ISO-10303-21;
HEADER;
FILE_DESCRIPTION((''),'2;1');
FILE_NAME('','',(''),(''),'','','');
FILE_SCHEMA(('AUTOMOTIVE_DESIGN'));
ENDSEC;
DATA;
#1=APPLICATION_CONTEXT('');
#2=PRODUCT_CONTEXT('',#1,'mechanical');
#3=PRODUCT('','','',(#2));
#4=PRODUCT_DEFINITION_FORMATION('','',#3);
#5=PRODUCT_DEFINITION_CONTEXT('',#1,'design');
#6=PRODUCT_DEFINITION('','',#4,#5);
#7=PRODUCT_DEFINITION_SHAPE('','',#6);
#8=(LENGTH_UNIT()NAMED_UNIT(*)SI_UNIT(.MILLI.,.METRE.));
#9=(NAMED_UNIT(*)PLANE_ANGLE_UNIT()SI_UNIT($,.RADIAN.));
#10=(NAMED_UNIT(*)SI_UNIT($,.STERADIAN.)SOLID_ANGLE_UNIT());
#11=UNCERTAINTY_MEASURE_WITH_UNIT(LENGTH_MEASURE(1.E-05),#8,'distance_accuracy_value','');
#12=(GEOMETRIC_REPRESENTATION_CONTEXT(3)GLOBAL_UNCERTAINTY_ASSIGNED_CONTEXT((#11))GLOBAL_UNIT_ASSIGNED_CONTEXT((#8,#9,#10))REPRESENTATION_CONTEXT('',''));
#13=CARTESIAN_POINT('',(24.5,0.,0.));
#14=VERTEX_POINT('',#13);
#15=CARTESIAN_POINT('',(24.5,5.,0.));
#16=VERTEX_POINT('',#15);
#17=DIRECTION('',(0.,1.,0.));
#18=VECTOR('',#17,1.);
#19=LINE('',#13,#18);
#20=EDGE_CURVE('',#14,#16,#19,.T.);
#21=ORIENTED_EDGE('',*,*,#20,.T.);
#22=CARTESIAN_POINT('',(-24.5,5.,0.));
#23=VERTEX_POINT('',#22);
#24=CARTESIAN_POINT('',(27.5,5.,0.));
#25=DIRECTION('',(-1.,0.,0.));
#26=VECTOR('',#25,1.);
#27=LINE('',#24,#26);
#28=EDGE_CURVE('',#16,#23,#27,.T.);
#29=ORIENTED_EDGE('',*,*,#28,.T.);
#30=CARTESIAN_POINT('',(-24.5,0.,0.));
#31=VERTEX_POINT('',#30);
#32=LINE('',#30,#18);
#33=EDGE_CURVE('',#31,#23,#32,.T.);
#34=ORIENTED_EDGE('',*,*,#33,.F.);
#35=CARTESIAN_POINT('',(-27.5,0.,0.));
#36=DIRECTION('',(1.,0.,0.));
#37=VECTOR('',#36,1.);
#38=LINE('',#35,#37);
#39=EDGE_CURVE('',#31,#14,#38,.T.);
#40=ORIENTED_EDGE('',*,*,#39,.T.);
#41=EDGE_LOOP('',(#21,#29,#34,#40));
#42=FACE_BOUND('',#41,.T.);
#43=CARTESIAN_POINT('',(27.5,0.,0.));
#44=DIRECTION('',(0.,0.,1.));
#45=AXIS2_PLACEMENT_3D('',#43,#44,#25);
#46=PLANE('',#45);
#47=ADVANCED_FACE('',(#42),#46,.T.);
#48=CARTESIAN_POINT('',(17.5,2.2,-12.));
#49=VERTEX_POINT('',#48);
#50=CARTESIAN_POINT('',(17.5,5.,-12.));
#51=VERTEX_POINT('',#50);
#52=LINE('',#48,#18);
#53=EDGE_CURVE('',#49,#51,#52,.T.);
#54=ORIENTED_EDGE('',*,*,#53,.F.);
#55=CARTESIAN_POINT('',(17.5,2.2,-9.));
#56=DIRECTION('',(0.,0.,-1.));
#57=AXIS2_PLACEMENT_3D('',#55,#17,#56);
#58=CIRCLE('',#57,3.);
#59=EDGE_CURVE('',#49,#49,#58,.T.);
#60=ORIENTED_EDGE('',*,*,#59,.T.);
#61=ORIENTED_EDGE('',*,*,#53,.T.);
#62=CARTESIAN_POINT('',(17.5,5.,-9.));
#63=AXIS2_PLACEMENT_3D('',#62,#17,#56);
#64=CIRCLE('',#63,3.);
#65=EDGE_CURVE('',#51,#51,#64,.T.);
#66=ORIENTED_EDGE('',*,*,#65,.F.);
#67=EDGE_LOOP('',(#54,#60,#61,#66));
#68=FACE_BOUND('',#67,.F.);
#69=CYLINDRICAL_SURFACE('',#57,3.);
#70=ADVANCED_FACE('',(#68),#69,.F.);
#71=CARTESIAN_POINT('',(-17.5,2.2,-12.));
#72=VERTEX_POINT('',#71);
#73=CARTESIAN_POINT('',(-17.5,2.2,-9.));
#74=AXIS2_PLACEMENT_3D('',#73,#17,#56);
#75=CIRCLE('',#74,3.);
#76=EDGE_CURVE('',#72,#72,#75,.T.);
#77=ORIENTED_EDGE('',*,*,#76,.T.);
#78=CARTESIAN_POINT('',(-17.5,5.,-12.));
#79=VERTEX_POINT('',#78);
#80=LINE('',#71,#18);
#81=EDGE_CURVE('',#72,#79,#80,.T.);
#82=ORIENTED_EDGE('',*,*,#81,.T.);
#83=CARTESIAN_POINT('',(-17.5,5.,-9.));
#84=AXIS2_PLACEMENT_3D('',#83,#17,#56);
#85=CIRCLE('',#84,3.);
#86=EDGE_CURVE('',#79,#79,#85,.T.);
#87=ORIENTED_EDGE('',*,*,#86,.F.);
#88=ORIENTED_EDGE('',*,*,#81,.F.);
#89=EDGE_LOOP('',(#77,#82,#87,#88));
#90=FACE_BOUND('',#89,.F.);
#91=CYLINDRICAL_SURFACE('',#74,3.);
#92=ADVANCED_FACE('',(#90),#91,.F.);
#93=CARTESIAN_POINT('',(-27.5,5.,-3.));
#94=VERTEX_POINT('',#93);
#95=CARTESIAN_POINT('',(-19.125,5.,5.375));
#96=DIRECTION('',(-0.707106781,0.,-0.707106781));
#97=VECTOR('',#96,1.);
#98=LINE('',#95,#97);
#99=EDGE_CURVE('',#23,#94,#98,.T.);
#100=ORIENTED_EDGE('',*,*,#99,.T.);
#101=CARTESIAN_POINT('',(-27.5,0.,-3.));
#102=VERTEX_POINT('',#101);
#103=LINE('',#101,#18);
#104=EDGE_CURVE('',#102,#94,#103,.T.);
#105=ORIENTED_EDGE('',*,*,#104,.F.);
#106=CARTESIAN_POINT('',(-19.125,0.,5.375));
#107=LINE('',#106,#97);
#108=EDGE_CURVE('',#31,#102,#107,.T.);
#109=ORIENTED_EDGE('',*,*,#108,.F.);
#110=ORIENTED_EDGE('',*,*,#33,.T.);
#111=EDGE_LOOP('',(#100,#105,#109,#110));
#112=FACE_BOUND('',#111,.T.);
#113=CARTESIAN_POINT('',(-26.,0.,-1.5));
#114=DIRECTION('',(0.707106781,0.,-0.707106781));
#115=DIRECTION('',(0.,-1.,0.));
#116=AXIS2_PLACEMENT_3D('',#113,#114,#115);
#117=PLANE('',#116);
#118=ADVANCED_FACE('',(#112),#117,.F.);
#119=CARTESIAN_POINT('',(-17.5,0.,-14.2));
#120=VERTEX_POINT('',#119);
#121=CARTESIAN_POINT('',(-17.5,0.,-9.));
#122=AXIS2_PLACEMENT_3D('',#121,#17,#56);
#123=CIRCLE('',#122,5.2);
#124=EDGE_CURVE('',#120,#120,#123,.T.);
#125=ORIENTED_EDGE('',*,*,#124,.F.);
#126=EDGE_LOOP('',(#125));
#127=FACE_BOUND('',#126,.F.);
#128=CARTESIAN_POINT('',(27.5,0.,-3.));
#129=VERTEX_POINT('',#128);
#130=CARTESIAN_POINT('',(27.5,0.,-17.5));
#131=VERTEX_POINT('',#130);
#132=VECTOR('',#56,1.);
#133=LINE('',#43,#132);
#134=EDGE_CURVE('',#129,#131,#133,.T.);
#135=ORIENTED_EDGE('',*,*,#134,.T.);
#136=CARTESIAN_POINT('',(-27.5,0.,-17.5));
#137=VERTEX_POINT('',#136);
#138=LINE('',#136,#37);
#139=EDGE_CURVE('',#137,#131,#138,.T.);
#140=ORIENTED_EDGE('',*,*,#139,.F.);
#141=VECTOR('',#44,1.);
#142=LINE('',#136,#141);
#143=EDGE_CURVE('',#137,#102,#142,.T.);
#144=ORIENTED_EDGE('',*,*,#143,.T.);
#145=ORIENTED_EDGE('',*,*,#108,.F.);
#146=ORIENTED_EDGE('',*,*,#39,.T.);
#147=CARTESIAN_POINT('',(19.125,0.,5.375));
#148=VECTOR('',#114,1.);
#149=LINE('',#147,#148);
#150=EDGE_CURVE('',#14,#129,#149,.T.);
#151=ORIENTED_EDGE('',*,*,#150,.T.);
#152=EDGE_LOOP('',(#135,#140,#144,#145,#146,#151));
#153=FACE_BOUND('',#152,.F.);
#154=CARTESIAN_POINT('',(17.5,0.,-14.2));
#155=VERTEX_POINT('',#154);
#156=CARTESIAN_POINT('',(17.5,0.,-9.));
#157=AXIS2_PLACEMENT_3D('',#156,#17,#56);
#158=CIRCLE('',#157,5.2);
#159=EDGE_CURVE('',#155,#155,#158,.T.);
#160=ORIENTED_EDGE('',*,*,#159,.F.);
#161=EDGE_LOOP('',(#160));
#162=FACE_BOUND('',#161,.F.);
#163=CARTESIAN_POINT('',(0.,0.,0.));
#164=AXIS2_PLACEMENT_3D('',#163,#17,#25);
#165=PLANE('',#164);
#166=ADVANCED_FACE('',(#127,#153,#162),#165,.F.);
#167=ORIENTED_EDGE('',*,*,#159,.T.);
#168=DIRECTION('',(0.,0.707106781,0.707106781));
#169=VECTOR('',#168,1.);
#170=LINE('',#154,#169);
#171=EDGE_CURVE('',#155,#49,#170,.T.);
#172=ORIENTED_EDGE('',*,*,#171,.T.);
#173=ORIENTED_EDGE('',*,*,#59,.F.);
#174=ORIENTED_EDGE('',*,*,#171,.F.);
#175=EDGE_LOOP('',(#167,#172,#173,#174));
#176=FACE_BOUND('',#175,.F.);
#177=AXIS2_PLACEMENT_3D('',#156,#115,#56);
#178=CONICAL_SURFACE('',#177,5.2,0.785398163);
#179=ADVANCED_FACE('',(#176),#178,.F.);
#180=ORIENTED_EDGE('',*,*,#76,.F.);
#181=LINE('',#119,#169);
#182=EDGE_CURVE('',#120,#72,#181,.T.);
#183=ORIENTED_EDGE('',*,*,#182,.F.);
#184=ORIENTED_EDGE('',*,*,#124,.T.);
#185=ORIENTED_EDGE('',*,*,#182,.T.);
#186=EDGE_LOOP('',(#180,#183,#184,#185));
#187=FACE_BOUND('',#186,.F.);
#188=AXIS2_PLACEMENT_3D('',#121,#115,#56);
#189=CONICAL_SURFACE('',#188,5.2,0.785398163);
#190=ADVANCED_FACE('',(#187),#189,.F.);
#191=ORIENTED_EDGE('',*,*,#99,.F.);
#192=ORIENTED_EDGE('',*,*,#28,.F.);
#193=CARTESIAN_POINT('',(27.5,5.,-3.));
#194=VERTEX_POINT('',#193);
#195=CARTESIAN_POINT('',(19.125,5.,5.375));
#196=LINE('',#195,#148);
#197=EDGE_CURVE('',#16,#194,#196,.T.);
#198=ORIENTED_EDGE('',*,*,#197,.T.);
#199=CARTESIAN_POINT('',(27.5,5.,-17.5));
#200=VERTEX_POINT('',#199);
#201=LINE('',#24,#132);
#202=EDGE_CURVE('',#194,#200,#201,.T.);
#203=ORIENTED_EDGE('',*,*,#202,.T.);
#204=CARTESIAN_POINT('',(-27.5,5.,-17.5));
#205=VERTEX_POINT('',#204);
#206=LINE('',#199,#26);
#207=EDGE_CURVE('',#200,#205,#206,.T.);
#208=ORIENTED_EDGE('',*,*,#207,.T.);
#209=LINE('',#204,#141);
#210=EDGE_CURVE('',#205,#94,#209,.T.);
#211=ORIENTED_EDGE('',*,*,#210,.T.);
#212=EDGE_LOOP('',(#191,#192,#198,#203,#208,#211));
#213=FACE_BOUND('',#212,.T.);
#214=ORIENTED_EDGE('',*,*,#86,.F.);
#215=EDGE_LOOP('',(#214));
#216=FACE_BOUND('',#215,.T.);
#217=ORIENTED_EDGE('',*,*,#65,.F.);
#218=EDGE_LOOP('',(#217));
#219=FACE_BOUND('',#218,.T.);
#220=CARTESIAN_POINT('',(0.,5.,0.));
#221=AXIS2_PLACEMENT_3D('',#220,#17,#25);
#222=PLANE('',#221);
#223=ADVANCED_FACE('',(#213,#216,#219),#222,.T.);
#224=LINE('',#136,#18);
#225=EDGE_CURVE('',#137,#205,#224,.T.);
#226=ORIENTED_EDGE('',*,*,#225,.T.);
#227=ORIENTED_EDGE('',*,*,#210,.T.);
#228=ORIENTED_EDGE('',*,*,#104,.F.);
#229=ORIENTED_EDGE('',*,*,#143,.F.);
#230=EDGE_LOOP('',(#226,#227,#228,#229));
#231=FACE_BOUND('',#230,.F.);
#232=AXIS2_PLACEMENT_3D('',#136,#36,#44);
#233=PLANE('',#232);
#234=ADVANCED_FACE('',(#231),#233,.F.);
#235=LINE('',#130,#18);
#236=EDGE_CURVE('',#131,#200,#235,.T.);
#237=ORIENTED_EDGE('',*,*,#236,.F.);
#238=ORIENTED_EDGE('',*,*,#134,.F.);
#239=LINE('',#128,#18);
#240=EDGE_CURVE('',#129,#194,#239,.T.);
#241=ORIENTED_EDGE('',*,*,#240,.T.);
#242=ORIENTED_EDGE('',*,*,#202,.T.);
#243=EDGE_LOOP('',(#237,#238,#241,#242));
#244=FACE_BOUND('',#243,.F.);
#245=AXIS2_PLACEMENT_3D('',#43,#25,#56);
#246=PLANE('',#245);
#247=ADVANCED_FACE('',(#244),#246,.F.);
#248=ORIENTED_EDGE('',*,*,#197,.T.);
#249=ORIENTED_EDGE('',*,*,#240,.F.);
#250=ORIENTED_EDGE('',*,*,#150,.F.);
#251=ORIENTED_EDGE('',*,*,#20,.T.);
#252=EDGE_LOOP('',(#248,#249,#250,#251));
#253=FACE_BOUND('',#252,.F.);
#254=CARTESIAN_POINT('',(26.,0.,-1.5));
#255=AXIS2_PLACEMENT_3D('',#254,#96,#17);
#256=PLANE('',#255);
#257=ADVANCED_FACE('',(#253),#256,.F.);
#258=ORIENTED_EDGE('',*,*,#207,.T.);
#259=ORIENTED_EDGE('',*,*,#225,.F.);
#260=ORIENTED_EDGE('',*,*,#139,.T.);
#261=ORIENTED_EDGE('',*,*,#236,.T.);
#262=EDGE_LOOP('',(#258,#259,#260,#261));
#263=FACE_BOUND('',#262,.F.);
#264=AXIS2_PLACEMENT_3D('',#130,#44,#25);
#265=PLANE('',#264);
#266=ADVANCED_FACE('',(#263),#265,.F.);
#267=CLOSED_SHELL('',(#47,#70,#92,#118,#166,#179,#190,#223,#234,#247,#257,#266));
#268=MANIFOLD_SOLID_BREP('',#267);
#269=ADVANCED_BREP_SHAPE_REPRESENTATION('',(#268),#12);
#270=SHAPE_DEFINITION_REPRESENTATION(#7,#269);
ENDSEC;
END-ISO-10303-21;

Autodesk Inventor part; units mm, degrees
ref_plane "YZ Plane" through (0, 0, 0) normal (1, 0, 0) x (0, 1, 0)
ref_plane "XZ Plane" through (0, 0, 0) normal (0, 1, 0) x (-1, 0, 0)
ref_plane "XY Plane" through (0, 0, 0) normal (0, 0, 1) x (1, 0, 0)
sketch "Sketch1" plane through (0, 0, 0) normal (0, 1, 0) x (-1, 0, 0)
  line L0 (-38.5, 0) -> (38.5, 0) projected
  line L1 (27.5, 0) -> (-27.5, 0)
  line L2 (-27.5, 0) -> (-27.5, -17.5)
  line L3 (-27.5, -17.5) -> (27.5, -17.5)
  line L4 (27.5, -17.5) -> (27.5, 0)
  line L5 (0, -21) -> (0, 3.5) projected
  dimension "d8" = 17.5
  dimension "d22" = 55
extrude "Extrusion1" add sketch "Sketch1" along normal blind 5
sketch "Sketch2" plane through (0, 0, 0) normal (0, -1, 0) x (1, 0, 0)
  line L0 (-27.5, 0) -> (27.5, 0) projected
  line L1 (27.5, 0) -> (27.5, -17.5) projected
  line L2 (-27.5, -17.5) -> (-27.5, 0) projected
  point P0 (17.5, -9)
  point P1 (-17.5, -9)
  dimension "d9" = 9
  dimension "d23" = 10
  dimension "d24" = 10
hole "Hole1" at (17.5, 0, -9) at (-17.5, 0, -9) direction (0, 1, 0) diameter 6 end through all countersink diameter 10.4 countersink angle 90
chamfer "Chamfer1" distance 3 angle 45 2 edges at (-27.5, 2.5, 0) (27.5, 2.5, 0)
equation "\"d24\" = d23"
properties part number "FixedJaw"
